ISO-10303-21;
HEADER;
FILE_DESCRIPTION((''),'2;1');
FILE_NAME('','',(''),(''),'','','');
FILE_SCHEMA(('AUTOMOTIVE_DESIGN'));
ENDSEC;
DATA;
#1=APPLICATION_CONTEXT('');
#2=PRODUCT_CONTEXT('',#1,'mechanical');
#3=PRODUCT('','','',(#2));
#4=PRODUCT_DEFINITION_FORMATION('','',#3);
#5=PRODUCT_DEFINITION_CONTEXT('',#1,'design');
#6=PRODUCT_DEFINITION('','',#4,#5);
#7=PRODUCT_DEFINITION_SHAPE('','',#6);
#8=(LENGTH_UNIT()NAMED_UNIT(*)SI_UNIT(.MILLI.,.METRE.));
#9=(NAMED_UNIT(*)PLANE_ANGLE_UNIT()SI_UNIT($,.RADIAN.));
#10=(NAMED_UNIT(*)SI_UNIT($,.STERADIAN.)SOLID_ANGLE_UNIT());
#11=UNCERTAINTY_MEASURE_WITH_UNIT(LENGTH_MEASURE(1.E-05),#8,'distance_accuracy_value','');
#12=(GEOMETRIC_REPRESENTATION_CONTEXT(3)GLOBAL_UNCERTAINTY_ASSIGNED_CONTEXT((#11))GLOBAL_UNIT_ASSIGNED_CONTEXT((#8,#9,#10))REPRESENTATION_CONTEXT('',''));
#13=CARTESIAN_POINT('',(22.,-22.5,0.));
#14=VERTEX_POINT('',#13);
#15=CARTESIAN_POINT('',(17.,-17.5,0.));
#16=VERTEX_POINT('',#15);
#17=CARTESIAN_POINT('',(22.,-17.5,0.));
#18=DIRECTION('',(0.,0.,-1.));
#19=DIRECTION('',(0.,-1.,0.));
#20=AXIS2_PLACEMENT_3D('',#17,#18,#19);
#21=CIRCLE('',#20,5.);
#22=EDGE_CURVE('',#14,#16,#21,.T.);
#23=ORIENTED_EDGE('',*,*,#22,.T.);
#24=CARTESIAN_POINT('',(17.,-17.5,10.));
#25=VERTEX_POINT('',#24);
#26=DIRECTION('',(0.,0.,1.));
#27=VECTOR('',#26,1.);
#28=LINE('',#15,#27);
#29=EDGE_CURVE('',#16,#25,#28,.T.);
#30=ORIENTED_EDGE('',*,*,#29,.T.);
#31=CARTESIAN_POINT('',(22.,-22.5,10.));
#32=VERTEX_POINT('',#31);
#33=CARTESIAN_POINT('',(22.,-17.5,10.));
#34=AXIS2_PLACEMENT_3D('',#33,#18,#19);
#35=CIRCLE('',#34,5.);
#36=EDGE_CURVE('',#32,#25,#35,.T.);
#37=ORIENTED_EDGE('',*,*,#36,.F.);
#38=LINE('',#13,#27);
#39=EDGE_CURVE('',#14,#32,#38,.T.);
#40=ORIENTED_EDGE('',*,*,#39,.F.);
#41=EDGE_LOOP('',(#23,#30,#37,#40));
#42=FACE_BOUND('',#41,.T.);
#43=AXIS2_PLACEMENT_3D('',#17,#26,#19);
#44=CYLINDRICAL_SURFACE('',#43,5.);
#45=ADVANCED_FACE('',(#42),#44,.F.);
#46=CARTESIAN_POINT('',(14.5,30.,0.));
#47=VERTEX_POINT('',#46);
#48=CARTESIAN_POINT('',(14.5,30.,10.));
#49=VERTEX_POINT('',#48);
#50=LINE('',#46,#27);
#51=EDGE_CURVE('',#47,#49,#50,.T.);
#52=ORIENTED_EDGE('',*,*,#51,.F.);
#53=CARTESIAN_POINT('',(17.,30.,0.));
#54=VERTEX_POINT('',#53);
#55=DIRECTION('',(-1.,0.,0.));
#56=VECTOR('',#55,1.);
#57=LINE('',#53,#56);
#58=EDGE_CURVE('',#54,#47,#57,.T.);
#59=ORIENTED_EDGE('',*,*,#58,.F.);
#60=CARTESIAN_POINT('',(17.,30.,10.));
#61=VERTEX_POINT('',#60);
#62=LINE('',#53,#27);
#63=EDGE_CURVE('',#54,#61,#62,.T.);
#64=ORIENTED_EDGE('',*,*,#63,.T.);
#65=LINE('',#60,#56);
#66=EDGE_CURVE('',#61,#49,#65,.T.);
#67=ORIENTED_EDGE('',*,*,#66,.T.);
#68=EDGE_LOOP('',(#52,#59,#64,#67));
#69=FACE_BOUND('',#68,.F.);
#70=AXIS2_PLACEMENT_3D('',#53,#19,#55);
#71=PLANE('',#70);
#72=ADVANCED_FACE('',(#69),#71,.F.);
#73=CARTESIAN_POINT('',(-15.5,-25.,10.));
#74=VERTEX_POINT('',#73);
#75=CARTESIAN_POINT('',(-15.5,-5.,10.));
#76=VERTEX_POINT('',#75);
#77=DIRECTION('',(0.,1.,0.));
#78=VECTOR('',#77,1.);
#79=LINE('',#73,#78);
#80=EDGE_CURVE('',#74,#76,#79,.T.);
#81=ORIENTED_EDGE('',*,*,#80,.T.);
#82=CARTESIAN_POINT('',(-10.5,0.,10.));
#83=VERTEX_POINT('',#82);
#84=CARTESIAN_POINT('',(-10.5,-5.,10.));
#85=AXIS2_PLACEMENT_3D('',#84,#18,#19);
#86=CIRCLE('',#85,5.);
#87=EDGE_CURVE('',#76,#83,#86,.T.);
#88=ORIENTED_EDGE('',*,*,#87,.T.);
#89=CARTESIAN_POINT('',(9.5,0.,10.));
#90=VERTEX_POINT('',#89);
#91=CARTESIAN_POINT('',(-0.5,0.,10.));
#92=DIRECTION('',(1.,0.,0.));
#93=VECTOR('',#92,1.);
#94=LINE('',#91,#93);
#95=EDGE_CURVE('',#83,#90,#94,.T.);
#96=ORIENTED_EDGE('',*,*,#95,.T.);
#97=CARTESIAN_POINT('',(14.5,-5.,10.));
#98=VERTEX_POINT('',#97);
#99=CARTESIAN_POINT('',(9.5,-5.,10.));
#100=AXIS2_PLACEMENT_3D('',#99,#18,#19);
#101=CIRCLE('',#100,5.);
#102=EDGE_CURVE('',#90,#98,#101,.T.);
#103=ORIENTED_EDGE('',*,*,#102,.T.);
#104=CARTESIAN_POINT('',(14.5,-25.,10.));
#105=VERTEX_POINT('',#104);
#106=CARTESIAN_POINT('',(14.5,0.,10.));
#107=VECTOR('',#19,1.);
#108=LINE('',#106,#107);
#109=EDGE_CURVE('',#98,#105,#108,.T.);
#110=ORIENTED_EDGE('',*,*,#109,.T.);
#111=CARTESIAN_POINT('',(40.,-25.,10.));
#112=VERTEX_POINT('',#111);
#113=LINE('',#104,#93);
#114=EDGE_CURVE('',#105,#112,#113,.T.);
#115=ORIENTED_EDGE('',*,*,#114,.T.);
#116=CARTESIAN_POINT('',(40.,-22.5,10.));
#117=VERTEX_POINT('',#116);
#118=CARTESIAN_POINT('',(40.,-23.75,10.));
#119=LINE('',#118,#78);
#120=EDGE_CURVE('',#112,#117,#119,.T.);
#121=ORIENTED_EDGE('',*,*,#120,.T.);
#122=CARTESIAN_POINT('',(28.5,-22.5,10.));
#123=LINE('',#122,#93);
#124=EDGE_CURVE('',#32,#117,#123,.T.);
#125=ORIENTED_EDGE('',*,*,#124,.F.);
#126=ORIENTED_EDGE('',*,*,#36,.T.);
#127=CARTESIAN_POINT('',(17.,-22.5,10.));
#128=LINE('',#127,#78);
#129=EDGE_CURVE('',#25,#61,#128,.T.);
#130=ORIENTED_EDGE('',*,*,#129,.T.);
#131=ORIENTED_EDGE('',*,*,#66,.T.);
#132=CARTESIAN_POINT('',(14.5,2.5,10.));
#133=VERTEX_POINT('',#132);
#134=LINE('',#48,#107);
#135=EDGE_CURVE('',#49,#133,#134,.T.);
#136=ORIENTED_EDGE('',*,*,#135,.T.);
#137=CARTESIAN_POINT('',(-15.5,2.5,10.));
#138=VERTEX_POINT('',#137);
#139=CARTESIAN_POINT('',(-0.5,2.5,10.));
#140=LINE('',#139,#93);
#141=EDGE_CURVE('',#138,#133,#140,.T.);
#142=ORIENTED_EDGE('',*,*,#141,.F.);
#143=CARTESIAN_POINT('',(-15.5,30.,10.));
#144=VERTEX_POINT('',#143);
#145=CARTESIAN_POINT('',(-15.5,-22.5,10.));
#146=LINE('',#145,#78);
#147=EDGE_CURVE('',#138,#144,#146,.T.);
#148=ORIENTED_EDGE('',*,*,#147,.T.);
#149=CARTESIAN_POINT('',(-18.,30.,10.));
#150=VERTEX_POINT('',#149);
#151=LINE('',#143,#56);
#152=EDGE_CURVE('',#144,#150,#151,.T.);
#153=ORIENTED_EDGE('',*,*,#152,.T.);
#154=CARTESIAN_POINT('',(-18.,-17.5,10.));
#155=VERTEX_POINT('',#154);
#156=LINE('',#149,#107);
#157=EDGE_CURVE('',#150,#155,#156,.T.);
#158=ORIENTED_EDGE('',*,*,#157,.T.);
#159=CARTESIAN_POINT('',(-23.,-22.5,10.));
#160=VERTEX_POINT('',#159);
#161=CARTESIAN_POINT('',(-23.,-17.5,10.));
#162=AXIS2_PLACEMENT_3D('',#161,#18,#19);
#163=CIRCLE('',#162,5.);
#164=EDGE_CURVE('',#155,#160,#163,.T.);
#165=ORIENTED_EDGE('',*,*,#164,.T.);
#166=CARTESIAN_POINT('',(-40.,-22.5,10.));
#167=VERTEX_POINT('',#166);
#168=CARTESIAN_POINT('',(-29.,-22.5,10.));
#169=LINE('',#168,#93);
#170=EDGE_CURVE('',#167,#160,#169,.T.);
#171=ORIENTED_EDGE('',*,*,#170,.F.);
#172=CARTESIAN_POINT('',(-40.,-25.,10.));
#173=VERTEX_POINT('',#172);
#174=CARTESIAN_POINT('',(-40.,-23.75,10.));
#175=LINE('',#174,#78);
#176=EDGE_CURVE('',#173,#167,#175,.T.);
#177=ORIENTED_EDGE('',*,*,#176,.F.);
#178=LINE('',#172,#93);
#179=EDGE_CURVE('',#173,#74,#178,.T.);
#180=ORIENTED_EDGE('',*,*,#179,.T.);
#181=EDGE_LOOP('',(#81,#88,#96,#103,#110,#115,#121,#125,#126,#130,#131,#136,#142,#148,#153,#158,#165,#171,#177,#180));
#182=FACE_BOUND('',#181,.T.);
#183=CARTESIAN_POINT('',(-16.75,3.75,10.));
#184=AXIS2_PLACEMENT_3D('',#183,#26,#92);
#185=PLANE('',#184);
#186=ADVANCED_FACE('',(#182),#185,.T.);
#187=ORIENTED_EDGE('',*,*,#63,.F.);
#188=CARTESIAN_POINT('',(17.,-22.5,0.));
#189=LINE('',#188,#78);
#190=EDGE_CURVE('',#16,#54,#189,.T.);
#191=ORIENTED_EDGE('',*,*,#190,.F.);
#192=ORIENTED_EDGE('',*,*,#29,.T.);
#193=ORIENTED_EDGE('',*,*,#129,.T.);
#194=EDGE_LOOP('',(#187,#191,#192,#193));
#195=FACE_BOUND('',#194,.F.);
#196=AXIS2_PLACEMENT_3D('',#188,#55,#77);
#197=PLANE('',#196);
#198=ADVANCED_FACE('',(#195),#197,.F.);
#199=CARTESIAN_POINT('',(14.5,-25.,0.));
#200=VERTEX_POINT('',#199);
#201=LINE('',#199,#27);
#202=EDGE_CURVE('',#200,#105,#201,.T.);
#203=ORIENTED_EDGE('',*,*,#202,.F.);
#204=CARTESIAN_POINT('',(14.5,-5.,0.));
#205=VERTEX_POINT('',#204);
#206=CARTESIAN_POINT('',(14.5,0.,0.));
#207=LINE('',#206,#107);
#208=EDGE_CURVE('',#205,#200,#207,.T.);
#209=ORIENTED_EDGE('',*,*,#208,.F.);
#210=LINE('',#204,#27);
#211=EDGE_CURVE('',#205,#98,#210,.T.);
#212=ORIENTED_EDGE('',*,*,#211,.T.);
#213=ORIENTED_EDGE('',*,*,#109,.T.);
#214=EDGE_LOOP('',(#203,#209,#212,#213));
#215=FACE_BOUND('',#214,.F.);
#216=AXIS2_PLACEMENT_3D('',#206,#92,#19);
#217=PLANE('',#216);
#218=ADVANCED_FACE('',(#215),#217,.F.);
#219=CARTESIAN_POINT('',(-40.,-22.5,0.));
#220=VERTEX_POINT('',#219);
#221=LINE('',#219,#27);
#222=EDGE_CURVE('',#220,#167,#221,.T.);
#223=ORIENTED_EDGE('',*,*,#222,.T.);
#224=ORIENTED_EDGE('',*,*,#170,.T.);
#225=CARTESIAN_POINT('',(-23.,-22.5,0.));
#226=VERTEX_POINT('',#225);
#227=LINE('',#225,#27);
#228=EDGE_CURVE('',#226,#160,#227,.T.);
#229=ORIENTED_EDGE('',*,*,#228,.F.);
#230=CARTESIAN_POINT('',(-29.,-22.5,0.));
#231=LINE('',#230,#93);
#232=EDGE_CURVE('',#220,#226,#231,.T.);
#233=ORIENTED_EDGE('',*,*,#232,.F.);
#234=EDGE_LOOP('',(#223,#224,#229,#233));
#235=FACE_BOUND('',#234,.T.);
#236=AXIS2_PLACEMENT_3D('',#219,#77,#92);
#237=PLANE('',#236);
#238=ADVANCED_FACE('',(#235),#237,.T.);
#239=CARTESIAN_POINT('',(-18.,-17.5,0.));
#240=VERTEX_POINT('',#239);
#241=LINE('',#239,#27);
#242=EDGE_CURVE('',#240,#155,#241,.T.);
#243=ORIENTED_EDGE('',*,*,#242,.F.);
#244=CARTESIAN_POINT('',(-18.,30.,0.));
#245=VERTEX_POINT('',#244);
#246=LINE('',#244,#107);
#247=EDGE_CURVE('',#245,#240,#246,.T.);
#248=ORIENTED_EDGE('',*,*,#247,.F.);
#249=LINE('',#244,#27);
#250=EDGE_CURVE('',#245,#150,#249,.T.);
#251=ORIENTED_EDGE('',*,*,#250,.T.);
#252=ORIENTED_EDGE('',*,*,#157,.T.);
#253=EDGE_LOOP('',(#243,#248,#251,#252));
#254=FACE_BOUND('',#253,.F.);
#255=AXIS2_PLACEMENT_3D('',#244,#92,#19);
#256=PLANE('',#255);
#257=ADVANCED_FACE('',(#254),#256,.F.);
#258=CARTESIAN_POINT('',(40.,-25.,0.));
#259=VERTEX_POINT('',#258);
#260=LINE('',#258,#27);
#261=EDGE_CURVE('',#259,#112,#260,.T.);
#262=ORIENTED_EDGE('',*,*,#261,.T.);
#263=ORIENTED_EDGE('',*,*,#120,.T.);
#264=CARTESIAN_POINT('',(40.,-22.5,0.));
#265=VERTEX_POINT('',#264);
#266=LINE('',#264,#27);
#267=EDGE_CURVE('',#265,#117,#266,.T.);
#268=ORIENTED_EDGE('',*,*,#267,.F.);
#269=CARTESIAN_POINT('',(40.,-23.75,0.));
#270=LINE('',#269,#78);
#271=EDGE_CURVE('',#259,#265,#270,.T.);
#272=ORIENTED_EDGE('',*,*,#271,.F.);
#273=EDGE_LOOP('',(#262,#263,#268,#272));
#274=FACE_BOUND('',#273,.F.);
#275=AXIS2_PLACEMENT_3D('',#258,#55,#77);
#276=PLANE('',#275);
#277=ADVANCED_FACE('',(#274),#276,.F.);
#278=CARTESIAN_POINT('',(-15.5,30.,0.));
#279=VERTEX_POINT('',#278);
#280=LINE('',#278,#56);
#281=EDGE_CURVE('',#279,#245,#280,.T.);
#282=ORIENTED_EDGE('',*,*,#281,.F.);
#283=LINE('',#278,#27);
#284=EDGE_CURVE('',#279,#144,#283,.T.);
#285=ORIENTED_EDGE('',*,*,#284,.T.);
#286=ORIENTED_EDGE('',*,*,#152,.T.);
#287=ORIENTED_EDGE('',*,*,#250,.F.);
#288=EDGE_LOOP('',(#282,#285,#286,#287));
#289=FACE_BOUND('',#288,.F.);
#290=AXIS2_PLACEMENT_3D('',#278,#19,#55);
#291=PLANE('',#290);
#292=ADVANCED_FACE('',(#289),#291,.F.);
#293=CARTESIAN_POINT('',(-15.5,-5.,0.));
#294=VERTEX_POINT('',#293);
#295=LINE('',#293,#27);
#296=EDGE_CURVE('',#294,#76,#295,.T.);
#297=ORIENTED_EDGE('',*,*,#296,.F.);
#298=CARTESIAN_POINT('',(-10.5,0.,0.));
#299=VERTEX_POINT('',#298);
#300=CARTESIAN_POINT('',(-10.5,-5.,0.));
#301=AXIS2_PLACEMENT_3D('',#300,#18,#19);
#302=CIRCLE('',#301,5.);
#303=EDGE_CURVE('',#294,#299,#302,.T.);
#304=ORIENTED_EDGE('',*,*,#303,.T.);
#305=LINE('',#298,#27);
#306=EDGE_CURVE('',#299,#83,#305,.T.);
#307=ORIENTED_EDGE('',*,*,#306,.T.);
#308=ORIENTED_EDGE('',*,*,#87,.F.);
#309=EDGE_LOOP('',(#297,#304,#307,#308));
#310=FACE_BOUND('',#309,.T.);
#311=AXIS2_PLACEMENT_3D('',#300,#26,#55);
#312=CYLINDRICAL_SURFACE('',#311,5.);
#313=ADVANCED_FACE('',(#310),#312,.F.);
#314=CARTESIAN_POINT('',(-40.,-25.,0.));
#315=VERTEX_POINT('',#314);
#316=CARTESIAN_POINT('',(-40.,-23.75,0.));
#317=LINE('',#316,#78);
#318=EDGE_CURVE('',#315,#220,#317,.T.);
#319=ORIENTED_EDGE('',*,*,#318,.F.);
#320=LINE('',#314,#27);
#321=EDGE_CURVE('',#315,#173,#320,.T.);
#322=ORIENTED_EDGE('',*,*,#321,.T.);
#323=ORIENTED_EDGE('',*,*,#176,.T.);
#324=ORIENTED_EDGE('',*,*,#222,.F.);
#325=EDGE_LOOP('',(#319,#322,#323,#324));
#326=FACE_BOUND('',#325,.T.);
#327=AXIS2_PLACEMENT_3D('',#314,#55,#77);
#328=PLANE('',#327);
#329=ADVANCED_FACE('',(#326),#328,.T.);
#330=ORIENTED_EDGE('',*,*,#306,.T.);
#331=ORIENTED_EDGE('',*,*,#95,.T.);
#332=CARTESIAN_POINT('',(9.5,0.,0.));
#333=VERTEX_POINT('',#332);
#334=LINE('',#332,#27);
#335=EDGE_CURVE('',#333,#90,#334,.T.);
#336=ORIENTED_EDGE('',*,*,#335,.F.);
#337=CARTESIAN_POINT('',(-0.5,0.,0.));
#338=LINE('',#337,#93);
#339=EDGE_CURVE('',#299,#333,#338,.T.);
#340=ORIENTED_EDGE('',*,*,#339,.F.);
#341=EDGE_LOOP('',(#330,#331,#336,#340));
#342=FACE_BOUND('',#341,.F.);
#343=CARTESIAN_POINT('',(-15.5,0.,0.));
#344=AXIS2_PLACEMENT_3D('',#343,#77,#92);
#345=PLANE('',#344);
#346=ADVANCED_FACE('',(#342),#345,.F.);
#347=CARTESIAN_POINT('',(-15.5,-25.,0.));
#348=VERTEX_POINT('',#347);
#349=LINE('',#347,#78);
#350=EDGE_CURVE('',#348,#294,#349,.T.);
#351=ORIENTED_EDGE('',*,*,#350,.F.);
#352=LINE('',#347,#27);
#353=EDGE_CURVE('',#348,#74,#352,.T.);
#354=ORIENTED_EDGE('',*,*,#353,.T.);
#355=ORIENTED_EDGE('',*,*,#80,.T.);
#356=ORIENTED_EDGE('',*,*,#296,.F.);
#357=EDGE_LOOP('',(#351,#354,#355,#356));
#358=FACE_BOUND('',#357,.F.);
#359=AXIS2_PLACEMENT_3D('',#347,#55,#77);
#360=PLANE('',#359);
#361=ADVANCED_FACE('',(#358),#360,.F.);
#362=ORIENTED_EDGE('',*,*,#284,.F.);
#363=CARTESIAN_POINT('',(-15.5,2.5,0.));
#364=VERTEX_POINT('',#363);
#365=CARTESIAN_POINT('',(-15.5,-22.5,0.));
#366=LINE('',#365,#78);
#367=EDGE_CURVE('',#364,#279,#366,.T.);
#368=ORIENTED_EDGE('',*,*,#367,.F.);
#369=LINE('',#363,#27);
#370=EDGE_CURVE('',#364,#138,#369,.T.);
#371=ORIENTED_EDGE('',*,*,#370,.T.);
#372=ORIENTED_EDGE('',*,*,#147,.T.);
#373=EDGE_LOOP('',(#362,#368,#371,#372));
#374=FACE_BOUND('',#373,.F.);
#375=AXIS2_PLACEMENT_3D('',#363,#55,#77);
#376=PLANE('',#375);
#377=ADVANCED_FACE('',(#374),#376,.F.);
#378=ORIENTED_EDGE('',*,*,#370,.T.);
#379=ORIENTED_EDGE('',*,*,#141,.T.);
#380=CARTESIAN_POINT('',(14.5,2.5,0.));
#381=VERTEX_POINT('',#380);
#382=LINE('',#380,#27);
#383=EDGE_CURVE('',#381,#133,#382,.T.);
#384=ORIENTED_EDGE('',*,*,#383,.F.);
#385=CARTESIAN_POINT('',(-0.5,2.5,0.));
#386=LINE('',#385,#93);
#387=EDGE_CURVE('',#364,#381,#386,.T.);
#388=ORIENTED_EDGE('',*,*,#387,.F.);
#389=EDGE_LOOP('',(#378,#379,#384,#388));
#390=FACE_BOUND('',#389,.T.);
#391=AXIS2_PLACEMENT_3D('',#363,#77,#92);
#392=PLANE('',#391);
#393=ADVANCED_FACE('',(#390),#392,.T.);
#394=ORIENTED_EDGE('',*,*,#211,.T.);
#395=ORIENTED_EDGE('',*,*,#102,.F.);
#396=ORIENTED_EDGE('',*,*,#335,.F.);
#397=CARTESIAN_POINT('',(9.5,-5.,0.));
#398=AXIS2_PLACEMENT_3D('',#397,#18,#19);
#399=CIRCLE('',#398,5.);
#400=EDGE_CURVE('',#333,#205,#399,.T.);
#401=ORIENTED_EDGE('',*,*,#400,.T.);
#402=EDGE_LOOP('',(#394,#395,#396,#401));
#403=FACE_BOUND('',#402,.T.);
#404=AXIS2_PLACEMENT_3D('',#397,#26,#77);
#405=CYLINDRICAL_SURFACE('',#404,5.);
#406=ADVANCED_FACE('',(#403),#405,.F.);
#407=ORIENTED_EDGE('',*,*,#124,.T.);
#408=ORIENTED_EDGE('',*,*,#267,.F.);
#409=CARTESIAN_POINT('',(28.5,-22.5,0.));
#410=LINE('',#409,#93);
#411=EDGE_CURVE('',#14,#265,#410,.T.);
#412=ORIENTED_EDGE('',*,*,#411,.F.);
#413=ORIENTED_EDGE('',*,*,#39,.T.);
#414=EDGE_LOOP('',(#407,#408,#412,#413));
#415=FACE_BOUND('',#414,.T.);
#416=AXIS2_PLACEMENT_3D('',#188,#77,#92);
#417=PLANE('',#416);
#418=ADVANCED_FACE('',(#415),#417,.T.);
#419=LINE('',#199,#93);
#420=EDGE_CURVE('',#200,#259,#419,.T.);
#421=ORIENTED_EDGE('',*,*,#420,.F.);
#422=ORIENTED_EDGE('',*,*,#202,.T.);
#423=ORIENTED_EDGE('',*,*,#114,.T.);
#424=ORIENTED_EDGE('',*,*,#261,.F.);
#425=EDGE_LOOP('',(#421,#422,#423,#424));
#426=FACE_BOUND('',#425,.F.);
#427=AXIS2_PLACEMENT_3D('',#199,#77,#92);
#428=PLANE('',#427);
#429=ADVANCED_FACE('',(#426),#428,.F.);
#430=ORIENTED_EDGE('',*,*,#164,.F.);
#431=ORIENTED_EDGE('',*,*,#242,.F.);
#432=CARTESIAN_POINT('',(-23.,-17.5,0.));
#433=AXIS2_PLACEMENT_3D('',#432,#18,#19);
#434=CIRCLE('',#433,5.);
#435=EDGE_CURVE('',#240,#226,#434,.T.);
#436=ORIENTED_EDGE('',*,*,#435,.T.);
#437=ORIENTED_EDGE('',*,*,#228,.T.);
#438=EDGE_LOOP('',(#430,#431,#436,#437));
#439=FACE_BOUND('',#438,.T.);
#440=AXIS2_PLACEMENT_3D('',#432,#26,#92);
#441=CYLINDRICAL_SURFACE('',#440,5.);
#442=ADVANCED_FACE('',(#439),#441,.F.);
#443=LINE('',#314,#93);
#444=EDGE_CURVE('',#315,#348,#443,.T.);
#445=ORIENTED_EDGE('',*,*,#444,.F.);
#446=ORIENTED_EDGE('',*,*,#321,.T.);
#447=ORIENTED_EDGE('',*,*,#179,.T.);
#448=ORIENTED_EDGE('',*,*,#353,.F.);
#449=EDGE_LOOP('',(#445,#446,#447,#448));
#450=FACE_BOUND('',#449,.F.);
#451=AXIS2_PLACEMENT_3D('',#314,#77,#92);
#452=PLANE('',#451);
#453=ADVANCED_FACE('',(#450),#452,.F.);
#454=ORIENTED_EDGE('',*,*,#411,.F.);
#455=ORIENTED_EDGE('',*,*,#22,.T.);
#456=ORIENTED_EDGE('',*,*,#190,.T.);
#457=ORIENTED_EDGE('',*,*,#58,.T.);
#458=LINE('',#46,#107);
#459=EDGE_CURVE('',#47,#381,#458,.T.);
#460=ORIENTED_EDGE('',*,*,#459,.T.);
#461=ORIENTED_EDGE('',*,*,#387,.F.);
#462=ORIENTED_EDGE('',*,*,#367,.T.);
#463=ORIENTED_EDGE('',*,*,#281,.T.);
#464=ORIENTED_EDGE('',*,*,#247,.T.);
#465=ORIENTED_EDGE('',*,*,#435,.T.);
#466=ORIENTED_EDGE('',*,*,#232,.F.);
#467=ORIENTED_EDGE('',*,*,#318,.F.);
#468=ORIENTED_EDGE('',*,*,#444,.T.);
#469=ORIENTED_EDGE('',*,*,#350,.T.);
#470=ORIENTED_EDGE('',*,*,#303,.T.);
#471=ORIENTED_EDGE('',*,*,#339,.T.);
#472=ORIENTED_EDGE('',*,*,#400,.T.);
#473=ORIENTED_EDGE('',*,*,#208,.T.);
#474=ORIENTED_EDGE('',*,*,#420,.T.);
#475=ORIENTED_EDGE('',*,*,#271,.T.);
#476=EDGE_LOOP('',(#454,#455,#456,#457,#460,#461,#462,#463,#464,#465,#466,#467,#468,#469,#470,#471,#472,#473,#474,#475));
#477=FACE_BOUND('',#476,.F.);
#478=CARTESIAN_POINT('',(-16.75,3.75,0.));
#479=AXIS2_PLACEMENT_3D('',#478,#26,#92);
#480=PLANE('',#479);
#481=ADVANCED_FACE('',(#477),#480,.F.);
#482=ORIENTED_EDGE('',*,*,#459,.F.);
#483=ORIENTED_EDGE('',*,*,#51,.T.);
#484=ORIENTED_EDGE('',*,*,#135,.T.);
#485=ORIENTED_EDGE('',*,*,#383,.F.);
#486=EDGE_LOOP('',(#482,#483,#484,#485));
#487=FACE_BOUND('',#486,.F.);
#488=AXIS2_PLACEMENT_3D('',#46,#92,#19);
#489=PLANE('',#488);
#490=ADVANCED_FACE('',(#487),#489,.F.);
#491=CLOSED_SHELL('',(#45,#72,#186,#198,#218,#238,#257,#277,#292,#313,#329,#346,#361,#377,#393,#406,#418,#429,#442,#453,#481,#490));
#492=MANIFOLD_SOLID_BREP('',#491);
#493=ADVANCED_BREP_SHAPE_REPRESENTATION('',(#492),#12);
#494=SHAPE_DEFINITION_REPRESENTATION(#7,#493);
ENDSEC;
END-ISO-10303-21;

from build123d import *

# Parameters (mm, degrees)
F0_W     = 22
F0_H     = 2.5
F0_W_2   = 30
F0_W_3   = 23
F0_W_4   = 2.5
F1_DEPTH = 10
F2_R     = 5


with BuildPart() as f1:
    # F0 (on Top) → F1 (new body)
    with BuildSketch(Plane.XY):
        Polygon((-15.5, 2.5), (-15.5, 30), (-18, 30), (-18, -22.5), (-15.5, -22.5), (-15.5, 0), align=None)
        with Locations((-29, -23.75)):
            Rectangle(F0_W, F0_H)
        with Locations((-0.5, 1.25)):
            Rectangle(F0_W_2, F0_H)
        Polygon((14.5, 30), (14.5, 2.5), (14.5, 0), (14.5, -22.5), (17, -22.5), (17, 30), align=None)
        with Locations((28.5, -23.75)):
            Rectangle(F0_W_3, F0_H)
        with Locations((15.75, -23.75)):
            Rectangle(F0_W_4, F0_H)
        with Locations((-16.75, -23.75)):
            Rectangle(F0_W_4, F0_H)
    extrude(amount=F1_DEPTH)

    # F2
    f2_edges = [f1.edges().sort_by_distance(p)[0] for p in [
        (-18, -22.5, 5),
        (17, -22.5, 5),
        (14.5, 0, 5),
        (-15.5, 0, 5),
    ]]
    fillet(f2_edges, radius=F2_R)


solid = f1.part
